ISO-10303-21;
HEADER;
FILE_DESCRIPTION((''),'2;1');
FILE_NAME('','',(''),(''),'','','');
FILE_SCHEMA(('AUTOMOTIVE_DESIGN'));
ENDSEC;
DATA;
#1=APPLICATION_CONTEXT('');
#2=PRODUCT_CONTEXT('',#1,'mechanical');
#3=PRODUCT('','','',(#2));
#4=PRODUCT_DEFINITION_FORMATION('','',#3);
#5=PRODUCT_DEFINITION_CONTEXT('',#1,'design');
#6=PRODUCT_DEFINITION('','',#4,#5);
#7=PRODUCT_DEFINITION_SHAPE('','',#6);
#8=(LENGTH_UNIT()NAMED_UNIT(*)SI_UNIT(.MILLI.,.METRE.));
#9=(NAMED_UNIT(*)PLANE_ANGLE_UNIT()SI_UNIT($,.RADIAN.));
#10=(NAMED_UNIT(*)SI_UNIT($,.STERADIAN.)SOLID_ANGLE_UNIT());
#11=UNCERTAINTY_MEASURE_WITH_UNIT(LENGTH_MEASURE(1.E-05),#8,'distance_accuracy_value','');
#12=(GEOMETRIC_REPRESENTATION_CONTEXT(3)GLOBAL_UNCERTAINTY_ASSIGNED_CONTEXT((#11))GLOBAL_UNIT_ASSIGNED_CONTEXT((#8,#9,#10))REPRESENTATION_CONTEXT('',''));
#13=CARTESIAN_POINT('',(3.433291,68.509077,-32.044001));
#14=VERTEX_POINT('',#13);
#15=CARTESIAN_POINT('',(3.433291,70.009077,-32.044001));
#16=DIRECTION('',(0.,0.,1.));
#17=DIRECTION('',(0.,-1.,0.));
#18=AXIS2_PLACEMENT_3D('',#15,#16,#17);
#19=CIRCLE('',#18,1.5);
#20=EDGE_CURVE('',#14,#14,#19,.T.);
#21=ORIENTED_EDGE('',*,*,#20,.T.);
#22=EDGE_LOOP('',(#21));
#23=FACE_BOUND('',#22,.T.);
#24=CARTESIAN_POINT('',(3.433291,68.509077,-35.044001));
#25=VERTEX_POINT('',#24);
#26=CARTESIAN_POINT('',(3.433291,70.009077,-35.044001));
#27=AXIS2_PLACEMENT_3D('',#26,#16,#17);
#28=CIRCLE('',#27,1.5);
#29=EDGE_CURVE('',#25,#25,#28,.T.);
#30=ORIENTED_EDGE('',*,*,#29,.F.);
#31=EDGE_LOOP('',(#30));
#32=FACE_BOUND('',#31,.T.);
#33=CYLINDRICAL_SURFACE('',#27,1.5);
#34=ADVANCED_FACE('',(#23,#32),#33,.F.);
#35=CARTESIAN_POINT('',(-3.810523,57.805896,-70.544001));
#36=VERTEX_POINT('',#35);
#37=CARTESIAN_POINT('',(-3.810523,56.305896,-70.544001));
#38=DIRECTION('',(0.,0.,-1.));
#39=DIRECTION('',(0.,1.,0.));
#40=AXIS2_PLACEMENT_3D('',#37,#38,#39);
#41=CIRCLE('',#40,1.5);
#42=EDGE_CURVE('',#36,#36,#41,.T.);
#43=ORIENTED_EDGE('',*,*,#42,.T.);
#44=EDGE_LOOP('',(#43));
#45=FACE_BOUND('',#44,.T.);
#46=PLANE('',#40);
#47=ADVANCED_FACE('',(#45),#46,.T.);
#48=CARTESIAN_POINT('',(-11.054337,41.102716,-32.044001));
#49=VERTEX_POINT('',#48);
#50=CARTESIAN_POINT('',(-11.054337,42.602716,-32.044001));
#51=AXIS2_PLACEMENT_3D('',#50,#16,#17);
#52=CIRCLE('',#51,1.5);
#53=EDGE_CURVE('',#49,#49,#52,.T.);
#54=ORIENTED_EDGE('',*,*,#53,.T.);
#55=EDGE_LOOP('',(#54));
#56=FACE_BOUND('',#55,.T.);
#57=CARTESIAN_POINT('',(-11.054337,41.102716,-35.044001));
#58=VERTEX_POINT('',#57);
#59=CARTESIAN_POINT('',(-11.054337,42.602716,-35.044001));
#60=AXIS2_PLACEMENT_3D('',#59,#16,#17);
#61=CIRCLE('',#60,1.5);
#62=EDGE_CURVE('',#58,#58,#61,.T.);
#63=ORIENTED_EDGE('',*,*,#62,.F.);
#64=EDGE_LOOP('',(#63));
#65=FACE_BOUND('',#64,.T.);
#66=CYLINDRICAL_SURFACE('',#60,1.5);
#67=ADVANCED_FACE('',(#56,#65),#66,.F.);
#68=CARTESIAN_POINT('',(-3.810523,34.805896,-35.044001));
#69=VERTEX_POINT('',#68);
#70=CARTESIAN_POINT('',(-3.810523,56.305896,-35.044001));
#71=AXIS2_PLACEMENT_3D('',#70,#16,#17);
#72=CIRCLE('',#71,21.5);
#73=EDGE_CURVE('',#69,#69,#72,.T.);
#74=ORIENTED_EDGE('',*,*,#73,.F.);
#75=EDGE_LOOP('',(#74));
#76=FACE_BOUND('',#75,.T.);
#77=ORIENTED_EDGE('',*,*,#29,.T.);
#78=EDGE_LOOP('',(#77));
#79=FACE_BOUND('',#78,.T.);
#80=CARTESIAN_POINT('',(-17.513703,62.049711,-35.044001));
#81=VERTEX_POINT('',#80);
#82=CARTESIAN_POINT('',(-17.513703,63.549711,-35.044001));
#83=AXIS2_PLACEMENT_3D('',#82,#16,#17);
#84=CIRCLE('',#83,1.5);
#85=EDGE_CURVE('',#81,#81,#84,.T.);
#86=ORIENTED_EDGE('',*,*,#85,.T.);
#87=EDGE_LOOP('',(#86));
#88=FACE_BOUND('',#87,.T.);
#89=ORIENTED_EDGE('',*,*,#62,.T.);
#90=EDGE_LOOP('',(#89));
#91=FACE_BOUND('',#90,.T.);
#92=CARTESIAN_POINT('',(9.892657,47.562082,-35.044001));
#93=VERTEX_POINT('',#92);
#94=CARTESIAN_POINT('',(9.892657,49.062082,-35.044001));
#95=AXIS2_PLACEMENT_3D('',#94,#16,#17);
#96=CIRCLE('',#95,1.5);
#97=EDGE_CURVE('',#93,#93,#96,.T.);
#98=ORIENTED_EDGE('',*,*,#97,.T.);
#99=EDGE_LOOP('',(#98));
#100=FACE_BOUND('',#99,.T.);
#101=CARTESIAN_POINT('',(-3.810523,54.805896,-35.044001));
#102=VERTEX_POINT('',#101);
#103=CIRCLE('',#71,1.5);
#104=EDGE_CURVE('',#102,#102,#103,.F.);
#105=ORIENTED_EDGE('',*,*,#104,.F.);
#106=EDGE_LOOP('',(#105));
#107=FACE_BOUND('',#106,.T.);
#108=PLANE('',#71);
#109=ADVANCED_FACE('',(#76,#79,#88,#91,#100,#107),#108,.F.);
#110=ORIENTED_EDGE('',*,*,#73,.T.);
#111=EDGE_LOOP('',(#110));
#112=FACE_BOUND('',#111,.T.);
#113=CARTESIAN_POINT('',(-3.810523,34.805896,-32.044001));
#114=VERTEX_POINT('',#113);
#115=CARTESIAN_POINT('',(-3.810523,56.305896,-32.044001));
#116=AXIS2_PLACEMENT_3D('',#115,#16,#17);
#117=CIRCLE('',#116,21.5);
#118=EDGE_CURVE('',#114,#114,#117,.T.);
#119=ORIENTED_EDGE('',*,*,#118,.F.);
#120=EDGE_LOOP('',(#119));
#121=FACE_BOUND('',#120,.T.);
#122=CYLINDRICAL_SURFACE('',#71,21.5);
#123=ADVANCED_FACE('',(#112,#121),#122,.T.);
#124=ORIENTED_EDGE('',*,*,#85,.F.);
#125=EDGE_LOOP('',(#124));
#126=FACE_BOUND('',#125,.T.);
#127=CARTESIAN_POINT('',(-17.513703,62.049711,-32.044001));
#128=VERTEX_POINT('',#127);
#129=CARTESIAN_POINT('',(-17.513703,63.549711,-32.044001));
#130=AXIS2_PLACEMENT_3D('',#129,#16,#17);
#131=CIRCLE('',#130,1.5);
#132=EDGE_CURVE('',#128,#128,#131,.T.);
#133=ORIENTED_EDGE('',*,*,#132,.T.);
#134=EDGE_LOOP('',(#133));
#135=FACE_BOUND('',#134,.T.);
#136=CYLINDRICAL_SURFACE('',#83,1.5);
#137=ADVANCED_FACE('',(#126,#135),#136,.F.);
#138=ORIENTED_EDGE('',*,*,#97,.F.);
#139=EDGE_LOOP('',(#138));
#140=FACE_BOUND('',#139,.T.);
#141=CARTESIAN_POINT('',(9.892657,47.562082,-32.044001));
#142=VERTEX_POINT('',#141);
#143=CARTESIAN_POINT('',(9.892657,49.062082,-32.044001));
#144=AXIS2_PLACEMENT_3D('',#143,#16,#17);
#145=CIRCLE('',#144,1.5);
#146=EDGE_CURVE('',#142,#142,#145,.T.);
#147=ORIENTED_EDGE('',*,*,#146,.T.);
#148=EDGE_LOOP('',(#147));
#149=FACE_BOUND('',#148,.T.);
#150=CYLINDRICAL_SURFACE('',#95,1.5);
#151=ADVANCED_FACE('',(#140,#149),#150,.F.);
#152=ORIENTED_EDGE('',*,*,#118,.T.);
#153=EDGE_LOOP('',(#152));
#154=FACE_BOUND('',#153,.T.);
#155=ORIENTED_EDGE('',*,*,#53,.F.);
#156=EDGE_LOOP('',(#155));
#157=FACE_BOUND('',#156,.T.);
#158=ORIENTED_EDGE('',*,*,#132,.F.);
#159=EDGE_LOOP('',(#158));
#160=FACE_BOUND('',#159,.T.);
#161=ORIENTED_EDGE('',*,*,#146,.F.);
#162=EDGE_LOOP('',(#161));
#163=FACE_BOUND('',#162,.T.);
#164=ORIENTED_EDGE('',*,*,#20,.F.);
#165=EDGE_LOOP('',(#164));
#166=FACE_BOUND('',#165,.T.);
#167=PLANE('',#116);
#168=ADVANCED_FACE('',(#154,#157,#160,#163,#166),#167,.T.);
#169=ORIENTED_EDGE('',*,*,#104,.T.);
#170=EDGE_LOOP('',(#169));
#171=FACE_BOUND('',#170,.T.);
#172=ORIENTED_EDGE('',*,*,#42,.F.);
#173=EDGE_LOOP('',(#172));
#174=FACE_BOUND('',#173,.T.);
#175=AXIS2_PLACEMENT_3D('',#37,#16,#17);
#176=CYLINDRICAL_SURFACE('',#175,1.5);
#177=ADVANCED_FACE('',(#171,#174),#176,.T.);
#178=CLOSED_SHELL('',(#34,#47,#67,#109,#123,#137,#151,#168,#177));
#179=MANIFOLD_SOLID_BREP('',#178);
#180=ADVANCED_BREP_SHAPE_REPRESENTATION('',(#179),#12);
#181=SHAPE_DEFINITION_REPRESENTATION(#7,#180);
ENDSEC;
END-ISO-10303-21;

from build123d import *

# Parameters (mm, degrees)
SKETCH2_R           = 21.5
SKETCH2_R_2         = 1.5
BOSS_EXTRUDE1_DEPTH = 3
SKETCH4_R           = 1.5
BOSS_EXTRUDE3_DEPTH = 35.5


with BuildPart() as part:
    # Sketch2 → Boss-Extrude1 (new body)
    with BuildSketch(Plane(origin=(-3.810522997, 56.305896335, -32.044001089), x_dir=(-0.4673428599090645, -0.8840761569525651, 0), z_dir=(0, 0, 1))):
        with Locations(Location((0, 0, 0), (0, 0, 27.861953602))):
            Circle(SKETCH2_R)
        with Locations(Location((0, 15.5, 0), (0, 0, 27.861953602))):
            Circle(SKETCH2_R_2, mode=Mode.SUBTRACT)
        with Locations(Location((15.5, 0, 0), (0, 0, 27.861953602))):
            Circle(SKETCH2_R_2, mode=Mode.SUBTRACT)
        with Locations(Location((0, -15.5, 0), (0, 0, 27.861953602))):
            Circle(SKETCH2_R_2, mode=Mode.SUBTRACT)
        with Locations(Location((-15.5, 0, 0), (0, 0, 27.861953602))):
            Circle(SKETCH2_R_2, mode=Mode.SUBTRACT)
    extrude(amount=-BOSS_EXTRUDE1_DEPTH)

    # Sketch4 → Boss-Extrude3 (add)
    with BuildSketch(Plane(origin=(0, 0, -35.044001089), x_dir=(-1, 0, 0), z_dir=(0, 0, -1))):
        with Locations(Location((3.810522997, 56.305896335, 0), (0, 0, 270))):
            Circle(SKETCH4_R)
    extrude(amount=BOSS_EXTRUDE3_DEPTH)


solid = part.part
